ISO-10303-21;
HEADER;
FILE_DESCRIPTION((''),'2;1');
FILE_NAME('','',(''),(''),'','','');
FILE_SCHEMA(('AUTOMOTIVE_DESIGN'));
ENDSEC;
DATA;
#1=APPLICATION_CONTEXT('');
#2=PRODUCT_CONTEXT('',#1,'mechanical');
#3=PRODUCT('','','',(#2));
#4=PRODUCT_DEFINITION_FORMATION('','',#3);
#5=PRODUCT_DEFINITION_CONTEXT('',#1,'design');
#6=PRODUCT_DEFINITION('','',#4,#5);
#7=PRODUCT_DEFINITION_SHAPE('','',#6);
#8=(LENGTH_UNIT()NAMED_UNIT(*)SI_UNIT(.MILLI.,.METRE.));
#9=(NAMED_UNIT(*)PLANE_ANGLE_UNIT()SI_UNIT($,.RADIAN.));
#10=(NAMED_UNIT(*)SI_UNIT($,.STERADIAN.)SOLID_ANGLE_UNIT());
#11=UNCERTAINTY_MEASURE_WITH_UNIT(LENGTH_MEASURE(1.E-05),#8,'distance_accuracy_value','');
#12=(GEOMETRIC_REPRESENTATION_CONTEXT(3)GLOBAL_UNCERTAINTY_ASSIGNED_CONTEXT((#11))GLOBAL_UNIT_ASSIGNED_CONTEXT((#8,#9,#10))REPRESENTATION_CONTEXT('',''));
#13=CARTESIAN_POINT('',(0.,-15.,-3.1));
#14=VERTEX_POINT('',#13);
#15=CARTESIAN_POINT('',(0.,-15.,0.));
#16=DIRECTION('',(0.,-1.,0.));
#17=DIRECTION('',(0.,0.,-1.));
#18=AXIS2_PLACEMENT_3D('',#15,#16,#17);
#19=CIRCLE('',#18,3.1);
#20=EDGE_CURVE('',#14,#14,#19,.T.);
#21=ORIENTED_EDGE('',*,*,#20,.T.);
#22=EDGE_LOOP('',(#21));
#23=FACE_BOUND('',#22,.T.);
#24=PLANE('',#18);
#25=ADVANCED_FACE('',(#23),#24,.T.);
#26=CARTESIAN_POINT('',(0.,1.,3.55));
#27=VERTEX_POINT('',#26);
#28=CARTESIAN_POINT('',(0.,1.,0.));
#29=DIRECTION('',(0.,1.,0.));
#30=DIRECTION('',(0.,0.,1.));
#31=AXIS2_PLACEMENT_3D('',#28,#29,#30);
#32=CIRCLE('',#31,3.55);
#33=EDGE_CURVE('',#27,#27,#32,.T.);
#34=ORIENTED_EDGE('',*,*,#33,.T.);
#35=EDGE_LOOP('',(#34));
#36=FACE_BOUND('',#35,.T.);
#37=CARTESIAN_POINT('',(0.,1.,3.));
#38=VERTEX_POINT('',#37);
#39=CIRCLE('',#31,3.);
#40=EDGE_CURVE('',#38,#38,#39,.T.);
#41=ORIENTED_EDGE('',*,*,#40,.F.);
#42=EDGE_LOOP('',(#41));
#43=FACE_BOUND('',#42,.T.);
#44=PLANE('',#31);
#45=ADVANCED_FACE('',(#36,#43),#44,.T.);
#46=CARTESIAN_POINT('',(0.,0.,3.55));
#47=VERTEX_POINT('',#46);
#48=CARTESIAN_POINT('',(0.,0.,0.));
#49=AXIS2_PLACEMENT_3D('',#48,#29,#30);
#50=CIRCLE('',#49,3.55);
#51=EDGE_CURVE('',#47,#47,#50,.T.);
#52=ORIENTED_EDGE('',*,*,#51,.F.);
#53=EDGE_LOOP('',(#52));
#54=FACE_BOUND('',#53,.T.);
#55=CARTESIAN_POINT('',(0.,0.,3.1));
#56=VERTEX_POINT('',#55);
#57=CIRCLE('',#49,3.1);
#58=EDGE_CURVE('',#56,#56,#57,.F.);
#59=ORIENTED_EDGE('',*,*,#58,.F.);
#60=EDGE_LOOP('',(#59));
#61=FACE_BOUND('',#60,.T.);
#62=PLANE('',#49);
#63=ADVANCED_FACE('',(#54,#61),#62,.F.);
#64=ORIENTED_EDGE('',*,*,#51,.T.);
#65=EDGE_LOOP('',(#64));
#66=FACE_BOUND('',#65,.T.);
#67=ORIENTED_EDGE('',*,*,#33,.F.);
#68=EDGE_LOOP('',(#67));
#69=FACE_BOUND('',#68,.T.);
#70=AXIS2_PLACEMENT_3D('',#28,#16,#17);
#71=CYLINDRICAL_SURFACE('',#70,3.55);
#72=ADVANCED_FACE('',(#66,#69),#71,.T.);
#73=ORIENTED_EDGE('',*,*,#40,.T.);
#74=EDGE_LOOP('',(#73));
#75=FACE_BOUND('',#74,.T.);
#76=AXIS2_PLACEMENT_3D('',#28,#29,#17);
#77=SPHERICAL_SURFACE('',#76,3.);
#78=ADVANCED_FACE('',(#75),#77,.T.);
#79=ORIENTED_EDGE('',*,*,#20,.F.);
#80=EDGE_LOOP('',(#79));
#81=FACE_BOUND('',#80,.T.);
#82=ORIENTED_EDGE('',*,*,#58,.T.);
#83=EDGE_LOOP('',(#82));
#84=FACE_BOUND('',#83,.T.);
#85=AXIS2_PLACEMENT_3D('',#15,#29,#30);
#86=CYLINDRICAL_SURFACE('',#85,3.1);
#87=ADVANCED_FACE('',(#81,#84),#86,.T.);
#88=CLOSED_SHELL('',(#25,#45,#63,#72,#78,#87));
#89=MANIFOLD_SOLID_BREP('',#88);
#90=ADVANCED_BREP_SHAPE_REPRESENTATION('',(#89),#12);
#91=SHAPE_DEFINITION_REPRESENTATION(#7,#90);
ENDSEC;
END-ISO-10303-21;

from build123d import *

# Parameters (mm, degrees)
SKETCH1_R           = 3.55
BOSS_EXTRUDE1_DEPTH = 1
SKETCH3_R           = 3.1
BOSS_EXTRUDE2_DEPTH = 15


with BuildPart() as part:
    # Sketch1 → Boss-Extrude1 (new body)
    with BuildSketch(Plane(origin=(0, 0, 0), x_dir=(1, 0, 0), z_dir=(0, 1, 0))):
        Circle(SKETCH1_R)
    extrude(amount=BOSS_EXTRUDE1_DEPTH)

    # Sketch2 → Revolve1 (revolve)
    with BuildSketch(Plane(origin=(0, 0, 0), x_dir=(0, 0, -1), z_dir=(1, 0, 0))):
        with BuildLine():
            Line((0, 1), (0, 4))
            ThreePointArc((0, 4), (2.121320344, 3.121320344), (3, 1))
            Line((3, 1), (0, 1))
        make_face()
    revolve(axis=Axis((0, 1, 0), (0, -1, 0)))

    # Sketch3 → Boss-Extrude2 (add)
    with BuildSketch(Plane.XZ):
        Circle(SKETCH3_R)
    extrude(amount=BOSS_EXTRUDE2_DEPTH)


solid = part.part
